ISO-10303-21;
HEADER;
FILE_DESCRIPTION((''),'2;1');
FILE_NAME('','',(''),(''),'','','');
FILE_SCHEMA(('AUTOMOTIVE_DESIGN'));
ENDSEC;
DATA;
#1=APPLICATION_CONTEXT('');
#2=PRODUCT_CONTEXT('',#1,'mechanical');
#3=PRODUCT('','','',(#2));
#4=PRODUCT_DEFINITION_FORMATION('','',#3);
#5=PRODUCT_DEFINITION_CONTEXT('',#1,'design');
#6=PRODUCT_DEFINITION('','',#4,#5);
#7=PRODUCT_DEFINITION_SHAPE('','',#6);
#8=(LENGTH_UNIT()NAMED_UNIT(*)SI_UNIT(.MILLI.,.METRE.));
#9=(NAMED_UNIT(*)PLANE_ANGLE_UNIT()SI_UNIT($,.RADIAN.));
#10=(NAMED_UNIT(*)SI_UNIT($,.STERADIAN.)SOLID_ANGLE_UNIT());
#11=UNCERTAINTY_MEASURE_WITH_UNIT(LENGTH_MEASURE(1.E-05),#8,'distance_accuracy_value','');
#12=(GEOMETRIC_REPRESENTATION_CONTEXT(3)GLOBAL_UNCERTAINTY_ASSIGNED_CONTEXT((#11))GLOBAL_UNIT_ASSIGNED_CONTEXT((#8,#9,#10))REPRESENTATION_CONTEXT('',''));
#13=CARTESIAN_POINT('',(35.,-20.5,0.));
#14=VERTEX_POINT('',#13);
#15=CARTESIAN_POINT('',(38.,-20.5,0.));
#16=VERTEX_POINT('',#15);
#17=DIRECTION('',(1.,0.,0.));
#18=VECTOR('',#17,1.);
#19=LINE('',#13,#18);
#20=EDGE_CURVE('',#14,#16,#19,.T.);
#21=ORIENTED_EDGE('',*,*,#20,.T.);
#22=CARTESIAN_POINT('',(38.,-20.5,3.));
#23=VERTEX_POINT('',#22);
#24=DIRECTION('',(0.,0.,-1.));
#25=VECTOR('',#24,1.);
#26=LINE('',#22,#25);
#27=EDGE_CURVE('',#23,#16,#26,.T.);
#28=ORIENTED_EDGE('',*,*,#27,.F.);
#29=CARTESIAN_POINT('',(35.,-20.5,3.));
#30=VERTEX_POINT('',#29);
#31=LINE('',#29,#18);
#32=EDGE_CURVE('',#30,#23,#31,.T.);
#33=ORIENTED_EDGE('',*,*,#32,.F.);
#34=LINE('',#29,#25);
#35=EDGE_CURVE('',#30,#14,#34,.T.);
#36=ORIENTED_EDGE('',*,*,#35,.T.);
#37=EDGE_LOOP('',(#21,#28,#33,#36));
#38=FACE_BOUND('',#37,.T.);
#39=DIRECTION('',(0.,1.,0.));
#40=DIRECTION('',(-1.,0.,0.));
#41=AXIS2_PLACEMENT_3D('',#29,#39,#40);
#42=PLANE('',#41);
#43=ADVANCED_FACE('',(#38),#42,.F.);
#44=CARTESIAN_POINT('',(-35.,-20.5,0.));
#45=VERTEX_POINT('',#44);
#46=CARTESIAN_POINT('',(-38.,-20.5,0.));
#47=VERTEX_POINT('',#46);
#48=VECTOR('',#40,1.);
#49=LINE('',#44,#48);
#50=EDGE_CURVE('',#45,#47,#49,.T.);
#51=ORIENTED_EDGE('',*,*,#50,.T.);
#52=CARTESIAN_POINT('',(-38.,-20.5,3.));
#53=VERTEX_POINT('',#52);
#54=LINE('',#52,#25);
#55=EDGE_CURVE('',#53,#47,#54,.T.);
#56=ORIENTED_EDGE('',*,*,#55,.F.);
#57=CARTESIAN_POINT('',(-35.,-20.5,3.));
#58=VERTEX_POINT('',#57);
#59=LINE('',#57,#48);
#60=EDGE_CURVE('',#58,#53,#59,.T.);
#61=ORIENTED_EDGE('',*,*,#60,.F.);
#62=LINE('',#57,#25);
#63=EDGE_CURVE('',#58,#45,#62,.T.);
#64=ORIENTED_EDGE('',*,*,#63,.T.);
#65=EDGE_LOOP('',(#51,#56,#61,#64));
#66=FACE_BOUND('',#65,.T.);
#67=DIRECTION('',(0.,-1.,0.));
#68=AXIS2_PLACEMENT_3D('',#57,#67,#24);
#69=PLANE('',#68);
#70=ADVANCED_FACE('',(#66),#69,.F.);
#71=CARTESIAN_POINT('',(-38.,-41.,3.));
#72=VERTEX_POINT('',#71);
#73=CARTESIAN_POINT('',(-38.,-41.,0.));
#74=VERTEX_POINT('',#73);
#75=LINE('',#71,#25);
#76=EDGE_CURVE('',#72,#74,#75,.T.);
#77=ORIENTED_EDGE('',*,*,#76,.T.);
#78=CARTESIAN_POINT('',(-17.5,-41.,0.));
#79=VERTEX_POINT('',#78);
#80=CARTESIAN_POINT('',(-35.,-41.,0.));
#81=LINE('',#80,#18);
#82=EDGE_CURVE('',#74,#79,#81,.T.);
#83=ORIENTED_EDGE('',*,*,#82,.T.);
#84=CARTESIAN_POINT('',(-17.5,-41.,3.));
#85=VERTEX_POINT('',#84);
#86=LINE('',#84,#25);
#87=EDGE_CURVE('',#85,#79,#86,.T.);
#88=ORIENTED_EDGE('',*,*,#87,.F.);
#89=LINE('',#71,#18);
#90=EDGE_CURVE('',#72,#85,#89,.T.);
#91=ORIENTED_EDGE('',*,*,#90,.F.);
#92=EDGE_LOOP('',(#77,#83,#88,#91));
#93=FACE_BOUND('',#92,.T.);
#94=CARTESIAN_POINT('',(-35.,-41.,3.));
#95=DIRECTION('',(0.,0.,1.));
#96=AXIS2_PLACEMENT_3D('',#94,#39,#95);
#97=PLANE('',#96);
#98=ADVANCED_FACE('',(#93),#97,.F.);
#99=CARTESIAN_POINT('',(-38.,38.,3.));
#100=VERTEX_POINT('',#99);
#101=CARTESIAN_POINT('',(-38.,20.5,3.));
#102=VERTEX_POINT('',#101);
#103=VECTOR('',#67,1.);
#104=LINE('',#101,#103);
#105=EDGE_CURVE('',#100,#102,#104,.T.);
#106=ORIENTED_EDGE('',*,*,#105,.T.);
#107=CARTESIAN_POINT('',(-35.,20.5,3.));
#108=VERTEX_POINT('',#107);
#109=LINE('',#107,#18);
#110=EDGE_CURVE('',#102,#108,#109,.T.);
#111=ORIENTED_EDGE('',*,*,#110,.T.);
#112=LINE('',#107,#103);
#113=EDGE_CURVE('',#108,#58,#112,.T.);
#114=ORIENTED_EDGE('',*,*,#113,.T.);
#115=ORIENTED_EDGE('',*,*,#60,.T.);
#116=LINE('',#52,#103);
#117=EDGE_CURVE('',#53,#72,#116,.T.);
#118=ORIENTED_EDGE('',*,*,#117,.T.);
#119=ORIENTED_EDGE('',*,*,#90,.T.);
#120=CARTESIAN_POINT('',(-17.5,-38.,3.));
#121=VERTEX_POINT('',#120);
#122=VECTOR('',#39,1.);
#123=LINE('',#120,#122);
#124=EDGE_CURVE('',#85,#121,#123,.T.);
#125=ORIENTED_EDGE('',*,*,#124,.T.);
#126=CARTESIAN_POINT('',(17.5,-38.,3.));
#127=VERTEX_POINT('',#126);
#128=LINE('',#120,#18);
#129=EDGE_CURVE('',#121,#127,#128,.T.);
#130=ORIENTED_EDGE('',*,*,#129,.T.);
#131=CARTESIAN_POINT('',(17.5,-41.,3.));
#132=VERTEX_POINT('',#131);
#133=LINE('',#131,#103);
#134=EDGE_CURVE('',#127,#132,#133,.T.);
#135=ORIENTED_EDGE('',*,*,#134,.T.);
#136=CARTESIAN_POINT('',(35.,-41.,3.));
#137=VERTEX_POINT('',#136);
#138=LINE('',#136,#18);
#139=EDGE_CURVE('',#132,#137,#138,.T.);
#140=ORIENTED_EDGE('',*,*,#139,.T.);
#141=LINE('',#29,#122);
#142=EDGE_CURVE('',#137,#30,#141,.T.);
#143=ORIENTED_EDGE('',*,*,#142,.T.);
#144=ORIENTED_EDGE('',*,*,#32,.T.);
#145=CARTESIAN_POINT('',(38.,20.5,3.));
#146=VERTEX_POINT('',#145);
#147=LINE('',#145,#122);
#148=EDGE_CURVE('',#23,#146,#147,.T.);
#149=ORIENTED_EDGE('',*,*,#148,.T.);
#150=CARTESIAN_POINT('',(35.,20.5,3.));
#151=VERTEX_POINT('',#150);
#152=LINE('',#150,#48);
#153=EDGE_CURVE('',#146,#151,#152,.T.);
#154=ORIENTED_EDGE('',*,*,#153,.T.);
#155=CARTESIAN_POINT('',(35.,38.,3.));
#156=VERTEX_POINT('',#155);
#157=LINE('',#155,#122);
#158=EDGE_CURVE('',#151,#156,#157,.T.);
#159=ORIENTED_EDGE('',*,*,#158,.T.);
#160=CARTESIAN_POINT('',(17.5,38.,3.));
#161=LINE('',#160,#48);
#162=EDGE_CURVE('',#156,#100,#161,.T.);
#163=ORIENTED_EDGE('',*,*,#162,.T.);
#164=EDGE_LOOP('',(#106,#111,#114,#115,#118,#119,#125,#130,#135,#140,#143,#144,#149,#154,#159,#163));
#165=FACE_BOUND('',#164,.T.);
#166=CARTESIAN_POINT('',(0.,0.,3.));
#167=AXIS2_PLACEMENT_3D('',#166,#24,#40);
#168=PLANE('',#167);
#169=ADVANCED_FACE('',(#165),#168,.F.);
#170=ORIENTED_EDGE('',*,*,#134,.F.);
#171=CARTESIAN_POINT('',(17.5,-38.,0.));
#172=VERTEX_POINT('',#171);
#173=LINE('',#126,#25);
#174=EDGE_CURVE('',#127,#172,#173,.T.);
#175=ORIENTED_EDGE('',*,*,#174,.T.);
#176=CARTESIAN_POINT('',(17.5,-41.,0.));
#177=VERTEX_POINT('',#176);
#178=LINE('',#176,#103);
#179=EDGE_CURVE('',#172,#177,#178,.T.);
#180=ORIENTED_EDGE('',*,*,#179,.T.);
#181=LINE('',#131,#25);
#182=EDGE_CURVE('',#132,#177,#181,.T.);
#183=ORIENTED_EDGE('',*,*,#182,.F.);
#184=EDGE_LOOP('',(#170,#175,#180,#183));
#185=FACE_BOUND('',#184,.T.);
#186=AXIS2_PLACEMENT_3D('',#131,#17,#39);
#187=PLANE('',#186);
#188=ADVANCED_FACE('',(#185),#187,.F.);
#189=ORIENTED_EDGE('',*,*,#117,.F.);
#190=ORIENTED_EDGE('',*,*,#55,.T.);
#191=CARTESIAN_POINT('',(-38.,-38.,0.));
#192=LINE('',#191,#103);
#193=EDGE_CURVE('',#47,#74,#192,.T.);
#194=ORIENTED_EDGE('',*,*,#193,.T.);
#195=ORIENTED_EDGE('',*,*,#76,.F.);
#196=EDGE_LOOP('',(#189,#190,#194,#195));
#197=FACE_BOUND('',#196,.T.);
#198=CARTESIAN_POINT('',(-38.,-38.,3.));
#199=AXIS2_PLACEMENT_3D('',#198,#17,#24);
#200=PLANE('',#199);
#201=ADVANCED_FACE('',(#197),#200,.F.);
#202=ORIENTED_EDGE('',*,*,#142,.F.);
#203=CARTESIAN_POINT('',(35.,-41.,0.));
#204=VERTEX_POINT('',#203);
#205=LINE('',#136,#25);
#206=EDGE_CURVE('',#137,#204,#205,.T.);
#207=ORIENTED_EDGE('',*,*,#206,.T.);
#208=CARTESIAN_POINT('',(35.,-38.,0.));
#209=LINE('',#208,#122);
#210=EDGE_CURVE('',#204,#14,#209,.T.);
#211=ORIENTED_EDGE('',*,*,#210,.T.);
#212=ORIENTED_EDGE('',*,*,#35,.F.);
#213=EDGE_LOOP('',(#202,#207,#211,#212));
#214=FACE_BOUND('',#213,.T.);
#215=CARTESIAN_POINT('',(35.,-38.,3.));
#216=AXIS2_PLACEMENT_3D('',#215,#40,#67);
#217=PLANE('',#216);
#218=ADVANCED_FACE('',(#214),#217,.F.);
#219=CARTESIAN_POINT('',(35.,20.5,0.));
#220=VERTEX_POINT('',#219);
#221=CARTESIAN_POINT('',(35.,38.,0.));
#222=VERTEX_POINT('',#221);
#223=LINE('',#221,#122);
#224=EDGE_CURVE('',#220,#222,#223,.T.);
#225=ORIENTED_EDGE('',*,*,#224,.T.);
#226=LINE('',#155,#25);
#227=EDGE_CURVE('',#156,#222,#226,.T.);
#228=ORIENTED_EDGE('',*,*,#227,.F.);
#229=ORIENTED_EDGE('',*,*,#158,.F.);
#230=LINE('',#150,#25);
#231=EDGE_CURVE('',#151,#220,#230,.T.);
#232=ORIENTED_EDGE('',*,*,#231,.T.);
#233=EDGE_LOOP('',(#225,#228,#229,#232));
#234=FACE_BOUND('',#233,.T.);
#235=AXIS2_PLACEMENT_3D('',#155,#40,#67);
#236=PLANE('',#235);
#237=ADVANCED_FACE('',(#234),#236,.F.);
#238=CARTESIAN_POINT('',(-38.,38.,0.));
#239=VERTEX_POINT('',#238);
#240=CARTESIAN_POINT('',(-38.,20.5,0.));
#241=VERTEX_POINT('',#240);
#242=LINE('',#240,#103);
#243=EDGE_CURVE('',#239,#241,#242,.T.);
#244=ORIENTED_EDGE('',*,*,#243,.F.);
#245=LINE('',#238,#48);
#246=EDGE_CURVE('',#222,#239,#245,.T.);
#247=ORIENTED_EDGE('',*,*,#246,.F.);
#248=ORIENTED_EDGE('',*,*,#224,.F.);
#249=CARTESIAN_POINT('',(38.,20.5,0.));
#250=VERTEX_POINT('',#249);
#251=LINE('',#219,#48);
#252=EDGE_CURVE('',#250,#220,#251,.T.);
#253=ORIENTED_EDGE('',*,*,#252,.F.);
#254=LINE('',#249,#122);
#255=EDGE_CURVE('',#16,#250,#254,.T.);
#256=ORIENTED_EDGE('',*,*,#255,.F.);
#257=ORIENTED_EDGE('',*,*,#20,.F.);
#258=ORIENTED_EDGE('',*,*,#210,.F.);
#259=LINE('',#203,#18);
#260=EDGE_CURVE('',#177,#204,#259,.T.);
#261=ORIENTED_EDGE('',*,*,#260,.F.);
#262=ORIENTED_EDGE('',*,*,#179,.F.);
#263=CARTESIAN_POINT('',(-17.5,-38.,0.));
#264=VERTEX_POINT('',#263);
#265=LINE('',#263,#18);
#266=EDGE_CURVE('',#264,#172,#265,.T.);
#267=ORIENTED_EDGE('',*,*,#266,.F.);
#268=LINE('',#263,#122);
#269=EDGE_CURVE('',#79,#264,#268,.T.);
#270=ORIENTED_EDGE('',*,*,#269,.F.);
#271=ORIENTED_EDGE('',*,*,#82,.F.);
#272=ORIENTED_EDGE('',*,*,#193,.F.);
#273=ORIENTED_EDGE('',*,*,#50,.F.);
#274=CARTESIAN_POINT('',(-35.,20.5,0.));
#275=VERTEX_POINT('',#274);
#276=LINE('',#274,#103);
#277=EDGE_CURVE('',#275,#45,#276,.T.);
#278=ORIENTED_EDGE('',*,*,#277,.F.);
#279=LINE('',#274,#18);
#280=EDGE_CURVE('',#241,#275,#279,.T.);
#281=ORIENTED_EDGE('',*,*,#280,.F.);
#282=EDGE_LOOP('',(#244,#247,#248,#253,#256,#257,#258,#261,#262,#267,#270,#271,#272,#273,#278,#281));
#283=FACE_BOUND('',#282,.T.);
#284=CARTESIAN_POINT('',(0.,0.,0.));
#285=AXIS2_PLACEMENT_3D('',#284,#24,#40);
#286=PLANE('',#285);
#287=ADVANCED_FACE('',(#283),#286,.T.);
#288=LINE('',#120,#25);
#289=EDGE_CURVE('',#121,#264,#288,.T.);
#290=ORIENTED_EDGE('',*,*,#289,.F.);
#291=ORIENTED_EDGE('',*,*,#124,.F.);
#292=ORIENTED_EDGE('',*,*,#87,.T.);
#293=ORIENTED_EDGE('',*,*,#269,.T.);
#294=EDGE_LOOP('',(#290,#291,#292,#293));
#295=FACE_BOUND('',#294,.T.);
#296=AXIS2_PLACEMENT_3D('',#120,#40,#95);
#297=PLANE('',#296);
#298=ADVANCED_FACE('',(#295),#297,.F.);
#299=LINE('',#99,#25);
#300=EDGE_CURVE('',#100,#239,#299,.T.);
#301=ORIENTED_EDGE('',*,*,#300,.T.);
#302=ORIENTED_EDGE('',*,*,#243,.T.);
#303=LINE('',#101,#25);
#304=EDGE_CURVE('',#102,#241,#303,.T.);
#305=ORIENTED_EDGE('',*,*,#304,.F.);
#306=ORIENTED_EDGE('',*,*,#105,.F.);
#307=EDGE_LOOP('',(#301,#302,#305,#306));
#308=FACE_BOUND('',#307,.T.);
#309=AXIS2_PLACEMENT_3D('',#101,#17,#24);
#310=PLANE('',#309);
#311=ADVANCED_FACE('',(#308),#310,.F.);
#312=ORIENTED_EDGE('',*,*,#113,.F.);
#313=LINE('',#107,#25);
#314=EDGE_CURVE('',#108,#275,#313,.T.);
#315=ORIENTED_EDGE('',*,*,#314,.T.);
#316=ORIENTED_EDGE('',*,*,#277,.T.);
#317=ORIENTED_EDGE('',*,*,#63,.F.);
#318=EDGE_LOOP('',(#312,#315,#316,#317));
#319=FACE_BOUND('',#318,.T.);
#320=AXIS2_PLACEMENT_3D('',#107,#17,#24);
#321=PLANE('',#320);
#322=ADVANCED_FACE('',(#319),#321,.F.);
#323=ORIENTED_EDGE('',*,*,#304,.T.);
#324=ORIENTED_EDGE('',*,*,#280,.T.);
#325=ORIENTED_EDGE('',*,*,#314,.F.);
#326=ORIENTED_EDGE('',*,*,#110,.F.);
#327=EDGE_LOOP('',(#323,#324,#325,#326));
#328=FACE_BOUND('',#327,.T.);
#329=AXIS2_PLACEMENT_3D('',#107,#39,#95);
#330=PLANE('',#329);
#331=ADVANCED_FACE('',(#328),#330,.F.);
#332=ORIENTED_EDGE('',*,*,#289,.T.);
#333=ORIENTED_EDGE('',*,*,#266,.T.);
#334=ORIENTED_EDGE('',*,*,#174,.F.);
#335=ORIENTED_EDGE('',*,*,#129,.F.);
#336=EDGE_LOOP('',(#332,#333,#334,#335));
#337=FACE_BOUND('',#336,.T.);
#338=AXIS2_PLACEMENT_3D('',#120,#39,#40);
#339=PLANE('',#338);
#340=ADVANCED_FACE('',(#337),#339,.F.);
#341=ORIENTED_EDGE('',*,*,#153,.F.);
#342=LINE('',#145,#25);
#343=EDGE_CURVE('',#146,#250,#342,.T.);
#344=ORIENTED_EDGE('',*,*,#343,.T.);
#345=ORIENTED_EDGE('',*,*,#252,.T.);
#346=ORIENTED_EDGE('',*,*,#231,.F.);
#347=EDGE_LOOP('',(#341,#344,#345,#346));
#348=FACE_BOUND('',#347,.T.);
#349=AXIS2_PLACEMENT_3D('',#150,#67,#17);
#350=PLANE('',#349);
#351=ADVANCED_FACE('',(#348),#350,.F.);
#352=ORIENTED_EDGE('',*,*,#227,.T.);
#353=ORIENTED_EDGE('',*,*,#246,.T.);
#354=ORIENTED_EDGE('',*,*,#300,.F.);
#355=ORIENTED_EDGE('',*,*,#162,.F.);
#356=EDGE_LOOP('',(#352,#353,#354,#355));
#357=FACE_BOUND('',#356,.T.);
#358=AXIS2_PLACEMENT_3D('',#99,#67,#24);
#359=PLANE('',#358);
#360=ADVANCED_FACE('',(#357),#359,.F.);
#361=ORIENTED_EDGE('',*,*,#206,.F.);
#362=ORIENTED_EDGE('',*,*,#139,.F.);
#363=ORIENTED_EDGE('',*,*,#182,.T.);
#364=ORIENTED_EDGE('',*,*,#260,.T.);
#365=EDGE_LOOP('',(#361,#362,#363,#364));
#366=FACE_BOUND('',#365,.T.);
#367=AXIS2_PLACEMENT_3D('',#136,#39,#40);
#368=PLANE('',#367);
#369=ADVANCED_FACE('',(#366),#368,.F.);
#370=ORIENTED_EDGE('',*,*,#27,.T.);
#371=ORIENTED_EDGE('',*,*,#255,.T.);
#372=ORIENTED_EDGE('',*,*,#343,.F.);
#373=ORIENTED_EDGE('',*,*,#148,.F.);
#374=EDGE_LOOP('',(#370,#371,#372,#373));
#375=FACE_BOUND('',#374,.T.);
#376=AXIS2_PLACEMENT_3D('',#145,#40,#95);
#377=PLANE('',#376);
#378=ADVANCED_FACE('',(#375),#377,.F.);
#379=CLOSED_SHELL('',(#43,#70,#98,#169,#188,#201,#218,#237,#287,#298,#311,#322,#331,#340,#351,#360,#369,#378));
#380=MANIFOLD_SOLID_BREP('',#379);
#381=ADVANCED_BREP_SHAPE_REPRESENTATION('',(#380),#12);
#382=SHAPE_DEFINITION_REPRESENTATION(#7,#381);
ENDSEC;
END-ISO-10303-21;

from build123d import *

# Parameters (mm, degrees)
BOSS_EXTRUDE1_DEPTH = 3


with BuildPart() as part:
    # Sketch1 → Boss-Extrude1 (new body)
    with BuildSketch(Plane.XY):
        Polygon((-35, 38), (-17.5, 38), (17.5, 38), (35, 38), (35, 20.5), (38, 20.5), (38, -20.5), (35, -20.5), (35, -38), (35, -41), (17.5, -41), (17.5, -38), (-17.5, -38), (-17.5, -41), (-35, -41), (-38, -41), (-38, -38), (-38, -20.5), (-35, -20.5), (-35, 20.5), (-38, 20.5), (-38, 38), align=None)
    extrude(amount=BOSS_EXTRUDE1_DEPTH)


solid = part.part
